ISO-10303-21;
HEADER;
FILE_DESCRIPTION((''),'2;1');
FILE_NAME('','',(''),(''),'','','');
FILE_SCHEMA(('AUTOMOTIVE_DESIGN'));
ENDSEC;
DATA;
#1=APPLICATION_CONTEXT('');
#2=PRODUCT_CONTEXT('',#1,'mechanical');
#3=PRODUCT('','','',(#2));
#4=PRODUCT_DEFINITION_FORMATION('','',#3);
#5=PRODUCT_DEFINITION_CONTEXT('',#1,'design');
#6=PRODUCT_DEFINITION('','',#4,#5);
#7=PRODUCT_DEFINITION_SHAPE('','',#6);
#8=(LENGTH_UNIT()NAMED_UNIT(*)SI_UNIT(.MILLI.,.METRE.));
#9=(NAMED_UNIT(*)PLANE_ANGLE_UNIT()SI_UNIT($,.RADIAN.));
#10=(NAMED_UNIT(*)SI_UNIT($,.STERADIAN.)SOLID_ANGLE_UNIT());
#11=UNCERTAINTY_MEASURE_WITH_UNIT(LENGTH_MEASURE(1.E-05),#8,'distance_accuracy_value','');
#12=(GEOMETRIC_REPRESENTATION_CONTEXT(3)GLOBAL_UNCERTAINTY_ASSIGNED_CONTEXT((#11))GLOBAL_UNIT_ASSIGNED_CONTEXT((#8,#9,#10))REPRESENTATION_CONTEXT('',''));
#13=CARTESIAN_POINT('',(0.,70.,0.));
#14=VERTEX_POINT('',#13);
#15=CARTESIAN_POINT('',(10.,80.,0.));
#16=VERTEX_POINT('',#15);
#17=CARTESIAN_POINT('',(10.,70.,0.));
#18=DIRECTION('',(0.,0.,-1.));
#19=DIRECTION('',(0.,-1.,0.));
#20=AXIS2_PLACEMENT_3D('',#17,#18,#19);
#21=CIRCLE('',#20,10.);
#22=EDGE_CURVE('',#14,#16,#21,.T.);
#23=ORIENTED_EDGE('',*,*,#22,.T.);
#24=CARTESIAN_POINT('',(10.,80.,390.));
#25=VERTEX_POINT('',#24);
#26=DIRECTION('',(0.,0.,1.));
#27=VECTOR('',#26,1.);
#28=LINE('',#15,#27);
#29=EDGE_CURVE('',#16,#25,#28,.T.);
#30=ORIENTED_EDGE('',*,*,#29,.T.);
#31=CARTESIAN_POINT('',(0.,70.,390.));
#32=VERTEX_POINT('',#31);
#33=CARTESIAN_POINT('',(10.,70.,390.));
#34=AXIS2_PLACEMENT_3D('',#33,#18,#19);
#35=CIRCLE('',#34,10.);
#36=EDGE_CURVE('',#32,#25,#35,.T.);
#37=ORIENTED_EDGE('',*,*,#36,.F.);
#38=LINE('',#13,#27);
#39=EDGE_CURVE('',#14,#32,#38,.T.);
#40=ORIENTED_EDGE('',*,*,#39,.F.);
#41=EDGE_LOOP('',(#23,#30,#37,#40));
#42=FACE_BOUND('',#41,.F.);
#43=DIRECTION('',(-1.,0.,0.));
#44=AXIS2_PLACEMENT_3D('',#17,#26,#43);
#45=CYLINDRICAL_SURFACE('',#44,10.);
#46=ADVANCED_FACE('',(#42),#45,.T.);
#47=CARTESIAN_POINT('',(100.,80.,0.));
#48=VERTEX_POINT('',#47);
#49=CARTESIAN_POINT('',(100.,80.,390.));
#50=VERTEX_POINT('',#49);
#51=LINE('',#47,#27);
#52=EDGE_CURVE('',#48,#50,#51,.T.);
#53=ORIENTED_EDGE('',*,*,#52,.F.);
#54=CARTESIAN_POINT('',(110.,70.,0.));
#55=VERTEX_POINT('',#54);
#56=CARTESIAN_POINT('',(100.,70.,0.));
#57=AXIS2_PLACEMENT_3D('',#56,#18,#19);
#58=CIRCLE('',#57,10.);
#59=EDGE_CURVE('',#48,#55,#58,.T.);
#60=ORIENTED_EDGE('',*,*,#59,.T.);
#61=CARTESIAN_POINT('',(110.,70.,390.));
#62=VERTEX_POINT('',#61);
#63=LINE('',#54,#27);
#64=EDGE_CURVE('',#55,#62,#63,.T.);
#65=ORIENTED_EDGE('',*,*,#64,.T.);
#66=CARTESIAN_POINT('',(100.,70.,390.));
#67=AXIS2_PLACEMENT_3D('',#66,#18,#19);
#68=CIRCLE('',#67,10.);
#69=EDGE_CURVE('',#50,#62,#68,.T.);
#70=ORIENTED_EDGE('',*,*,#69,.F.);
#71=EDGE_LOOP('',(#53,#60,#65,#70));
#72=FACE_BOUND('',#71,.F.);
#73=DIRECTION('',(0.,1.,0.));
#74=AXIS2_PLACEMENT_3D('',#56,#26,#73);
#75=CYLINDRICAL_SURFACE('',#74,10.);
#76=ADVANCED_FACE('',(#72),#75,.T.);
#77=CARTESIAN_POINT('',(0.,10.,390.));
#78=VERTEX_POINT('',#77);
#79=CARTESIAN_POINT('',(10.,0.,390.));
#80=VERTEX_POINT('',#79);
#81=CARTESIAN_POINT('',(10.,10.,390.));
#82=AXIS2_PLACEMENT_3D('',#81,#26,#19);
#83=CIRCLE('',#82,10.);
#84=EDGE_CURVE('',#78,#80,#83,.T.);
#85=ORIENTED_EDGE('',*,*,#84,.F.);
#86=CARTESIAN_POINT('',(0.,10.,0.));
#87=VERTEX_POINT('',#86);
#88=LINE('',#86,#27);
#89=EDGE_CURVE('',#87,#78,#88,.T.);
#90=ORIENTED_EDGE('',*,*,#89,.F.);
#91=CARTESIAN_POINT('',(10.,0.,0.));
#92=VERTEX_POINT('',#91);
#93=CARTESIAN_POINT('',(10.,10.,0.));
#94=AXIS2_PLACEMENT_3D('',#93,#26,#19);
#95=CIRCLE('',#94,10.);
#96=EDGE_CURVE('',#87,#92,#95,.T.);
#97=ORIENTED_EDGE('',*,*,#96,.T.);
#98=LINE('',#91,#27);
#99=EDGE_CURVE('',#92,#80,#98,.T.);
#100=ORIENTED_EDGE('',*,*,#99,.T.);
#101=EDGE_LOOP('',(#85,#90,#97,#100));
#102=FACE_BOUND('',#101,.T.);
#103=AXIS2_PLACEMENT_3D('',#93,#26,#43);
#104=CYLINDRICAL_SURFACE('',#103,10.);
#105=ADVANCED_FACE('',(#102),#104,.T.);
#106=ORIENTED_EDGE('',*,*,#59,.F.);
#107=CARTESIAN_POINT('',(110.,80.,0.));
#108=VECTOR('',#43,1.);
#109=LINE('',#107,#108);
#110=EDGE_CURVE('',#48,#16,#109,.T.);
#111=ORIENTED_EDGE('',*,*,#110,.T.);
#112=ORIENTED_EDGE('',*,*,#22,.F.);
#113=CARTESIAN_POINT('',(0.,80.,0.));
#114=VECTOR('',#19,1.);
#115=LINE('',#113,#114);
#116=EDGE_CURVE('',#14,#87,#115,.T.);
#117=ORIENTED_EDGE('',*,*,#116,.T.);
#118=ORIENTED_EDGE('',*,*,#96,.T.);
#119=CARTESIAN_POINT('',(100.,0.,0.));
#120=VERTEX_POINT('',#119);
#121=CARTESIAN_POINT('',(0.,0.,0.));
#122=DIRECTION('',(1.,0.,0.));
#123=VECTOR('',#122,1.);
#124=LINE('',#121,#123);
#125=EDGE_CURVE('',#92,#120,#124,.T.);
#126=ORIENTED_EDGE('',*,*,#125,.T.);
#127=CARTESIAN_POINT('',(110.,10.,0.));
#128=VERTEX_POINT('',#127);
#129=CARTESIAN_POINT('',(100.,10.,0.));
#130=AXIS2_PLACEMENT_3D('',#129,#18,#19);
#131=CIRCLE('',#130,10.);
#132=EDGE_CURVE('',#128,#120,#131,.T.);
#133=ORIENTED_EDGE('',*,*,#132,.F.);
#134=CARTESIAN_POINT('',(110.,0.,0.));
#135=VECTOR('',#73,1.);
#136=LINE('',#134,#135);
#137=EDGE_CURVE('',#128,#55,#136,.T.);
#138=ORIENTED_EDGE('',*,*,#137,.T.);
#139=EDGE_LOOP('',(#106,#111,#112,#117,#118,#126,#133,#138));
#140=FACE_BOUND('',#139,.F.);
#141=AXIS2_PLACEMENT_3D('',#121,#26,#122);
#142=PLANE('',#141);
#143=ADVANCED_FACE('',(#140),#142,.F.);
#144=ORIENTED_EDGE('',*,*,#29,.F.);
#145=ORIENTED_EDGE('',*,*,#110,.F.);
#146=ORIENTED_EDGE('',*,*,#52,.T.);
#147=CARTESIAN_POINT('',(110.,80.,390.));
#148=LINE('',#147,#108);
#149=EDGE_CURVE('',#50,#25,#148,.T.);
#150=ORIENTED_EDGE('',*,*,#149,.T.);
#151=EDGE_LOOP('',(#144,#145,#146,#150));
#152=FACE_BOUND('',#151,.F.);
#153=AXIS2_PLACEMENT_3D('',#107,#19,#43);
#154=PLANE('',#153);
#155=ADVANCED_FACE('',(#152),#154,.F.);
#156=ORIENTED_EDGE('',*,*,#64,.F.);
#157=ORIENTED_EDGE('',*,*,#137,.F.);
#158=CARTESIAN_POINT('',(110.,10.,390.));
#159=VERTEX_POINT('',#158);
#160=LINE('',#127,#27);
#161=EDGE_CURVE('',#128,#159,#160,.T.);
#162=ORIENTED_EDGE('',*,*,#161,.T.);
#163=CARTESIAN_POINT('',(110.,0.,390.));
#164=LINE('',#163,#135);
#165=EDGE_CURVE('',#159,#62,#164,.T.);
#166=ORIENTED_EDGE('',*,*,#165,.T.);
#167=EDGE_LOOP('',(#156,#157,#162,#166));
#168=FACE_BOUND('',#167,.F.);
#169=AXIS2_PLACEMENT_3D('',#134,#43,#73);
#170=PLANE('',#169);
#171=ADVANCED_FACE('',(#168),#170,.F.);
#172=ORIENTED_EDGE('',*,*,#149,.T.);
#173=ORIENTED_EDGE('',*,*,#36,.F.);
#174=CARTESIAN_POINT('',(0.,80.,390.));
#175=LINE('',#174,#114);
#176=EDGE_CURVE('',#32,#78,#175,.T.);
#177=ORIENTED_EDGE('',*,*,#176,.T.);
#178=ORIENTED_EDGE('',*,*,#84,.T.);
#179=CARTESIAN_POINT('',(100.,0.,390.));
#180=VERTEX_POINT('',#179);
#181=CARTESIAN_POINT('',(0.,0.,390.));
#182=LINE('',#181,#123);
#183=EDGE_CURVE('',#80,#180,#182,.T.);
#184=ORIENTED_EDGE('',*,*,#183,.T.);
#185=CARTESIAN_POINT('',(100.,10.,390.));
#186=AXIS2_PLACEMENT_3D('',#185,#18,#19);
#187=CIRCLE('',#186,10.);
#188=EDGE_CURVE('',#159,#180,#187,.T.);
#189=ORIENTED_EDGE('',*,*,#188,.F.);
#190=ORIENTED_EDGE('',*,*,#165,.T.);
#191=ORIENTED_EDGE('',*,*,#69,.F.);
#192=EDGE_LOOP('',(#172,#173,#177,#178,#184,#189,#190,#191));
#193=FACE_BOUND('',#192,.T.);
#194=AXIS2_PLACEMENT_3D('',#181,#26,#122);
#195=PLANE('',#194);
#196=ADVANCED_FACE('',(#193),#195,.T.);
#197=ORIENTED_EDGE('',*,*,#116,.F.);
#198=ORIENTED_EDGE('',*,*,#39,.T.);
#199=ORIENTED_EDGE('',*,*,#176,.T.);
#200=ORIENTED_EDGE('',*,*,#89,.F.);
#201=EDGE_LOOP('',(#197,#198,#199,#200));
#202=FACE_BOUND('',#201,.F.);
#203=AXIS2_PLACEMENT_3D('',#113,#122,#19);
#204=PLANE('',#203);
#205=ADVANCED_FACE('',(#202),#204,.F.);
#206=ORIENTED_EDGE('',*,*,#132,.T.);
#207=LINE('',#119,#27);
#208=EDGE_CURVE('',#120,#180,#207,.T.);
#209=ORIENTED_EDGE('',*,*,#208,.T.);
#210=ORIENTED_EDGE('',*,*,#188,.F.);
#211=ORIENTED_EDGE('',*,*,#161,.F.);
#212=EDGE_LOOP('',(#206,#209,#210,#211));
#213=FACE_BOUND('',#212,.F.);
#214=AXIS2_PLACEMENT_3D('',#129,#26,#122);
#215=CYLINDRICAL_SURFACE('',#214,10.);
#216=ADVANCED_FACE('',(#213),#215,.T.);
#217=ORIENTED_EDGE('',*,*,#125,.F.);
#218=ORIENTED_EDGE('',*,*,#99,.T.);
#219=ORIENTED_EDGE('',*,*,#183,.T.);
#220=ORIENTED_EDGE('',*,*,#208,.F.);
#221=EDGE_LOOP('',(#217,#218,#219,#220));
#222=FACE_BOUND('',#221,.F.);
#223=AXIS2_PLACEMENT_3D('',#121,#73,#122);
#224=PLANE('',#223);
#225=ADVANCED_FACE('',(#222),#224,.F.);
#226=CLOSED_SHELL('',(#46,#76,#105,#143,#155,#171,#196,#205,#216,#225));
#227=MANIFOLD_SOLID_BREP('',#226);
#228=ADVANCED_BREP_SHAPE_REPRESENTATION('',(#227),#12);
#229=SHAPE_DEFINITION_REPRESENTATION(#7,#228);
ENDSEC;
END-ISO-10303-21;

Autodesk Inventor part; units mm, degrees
ref_plane "YZ Plane" through (0, 0, 0) normal (1, 0, 0) x (0, 1, 0)
ref_plane "XZ Plane" through (0, 0, 0) normal (0, 1, 0) x (-1, 0, 0)
ref_plane "XY Plane" through (0, 0, 0) normal (0, 0, 1) x (1, 0, 0)
sketch "Sketch1" plane through (0, 0, 0) normal (0, 0, 1) x (1, 0, 0)
  line L0 (0, 0) -> (110, 0)
  line L1 (110, 0) -> (110, 80)
  line L2 (110, 80) -> (0, 80)
  line L3 (0, 80) -> (0, 0)
  dimension "d0" = 110
  dimension "d1" = 80
extrude "Extrusion1" add sketch "Sketch1" along normal blind 390
fillet "Fillet1" radius 10 4 edges at (110, 80, 195) (0, 80, 195) (110, 0, 195) (0, 0, 195)
properties part number "Battery_Greencell_EBIKE12STD_11Ah"
